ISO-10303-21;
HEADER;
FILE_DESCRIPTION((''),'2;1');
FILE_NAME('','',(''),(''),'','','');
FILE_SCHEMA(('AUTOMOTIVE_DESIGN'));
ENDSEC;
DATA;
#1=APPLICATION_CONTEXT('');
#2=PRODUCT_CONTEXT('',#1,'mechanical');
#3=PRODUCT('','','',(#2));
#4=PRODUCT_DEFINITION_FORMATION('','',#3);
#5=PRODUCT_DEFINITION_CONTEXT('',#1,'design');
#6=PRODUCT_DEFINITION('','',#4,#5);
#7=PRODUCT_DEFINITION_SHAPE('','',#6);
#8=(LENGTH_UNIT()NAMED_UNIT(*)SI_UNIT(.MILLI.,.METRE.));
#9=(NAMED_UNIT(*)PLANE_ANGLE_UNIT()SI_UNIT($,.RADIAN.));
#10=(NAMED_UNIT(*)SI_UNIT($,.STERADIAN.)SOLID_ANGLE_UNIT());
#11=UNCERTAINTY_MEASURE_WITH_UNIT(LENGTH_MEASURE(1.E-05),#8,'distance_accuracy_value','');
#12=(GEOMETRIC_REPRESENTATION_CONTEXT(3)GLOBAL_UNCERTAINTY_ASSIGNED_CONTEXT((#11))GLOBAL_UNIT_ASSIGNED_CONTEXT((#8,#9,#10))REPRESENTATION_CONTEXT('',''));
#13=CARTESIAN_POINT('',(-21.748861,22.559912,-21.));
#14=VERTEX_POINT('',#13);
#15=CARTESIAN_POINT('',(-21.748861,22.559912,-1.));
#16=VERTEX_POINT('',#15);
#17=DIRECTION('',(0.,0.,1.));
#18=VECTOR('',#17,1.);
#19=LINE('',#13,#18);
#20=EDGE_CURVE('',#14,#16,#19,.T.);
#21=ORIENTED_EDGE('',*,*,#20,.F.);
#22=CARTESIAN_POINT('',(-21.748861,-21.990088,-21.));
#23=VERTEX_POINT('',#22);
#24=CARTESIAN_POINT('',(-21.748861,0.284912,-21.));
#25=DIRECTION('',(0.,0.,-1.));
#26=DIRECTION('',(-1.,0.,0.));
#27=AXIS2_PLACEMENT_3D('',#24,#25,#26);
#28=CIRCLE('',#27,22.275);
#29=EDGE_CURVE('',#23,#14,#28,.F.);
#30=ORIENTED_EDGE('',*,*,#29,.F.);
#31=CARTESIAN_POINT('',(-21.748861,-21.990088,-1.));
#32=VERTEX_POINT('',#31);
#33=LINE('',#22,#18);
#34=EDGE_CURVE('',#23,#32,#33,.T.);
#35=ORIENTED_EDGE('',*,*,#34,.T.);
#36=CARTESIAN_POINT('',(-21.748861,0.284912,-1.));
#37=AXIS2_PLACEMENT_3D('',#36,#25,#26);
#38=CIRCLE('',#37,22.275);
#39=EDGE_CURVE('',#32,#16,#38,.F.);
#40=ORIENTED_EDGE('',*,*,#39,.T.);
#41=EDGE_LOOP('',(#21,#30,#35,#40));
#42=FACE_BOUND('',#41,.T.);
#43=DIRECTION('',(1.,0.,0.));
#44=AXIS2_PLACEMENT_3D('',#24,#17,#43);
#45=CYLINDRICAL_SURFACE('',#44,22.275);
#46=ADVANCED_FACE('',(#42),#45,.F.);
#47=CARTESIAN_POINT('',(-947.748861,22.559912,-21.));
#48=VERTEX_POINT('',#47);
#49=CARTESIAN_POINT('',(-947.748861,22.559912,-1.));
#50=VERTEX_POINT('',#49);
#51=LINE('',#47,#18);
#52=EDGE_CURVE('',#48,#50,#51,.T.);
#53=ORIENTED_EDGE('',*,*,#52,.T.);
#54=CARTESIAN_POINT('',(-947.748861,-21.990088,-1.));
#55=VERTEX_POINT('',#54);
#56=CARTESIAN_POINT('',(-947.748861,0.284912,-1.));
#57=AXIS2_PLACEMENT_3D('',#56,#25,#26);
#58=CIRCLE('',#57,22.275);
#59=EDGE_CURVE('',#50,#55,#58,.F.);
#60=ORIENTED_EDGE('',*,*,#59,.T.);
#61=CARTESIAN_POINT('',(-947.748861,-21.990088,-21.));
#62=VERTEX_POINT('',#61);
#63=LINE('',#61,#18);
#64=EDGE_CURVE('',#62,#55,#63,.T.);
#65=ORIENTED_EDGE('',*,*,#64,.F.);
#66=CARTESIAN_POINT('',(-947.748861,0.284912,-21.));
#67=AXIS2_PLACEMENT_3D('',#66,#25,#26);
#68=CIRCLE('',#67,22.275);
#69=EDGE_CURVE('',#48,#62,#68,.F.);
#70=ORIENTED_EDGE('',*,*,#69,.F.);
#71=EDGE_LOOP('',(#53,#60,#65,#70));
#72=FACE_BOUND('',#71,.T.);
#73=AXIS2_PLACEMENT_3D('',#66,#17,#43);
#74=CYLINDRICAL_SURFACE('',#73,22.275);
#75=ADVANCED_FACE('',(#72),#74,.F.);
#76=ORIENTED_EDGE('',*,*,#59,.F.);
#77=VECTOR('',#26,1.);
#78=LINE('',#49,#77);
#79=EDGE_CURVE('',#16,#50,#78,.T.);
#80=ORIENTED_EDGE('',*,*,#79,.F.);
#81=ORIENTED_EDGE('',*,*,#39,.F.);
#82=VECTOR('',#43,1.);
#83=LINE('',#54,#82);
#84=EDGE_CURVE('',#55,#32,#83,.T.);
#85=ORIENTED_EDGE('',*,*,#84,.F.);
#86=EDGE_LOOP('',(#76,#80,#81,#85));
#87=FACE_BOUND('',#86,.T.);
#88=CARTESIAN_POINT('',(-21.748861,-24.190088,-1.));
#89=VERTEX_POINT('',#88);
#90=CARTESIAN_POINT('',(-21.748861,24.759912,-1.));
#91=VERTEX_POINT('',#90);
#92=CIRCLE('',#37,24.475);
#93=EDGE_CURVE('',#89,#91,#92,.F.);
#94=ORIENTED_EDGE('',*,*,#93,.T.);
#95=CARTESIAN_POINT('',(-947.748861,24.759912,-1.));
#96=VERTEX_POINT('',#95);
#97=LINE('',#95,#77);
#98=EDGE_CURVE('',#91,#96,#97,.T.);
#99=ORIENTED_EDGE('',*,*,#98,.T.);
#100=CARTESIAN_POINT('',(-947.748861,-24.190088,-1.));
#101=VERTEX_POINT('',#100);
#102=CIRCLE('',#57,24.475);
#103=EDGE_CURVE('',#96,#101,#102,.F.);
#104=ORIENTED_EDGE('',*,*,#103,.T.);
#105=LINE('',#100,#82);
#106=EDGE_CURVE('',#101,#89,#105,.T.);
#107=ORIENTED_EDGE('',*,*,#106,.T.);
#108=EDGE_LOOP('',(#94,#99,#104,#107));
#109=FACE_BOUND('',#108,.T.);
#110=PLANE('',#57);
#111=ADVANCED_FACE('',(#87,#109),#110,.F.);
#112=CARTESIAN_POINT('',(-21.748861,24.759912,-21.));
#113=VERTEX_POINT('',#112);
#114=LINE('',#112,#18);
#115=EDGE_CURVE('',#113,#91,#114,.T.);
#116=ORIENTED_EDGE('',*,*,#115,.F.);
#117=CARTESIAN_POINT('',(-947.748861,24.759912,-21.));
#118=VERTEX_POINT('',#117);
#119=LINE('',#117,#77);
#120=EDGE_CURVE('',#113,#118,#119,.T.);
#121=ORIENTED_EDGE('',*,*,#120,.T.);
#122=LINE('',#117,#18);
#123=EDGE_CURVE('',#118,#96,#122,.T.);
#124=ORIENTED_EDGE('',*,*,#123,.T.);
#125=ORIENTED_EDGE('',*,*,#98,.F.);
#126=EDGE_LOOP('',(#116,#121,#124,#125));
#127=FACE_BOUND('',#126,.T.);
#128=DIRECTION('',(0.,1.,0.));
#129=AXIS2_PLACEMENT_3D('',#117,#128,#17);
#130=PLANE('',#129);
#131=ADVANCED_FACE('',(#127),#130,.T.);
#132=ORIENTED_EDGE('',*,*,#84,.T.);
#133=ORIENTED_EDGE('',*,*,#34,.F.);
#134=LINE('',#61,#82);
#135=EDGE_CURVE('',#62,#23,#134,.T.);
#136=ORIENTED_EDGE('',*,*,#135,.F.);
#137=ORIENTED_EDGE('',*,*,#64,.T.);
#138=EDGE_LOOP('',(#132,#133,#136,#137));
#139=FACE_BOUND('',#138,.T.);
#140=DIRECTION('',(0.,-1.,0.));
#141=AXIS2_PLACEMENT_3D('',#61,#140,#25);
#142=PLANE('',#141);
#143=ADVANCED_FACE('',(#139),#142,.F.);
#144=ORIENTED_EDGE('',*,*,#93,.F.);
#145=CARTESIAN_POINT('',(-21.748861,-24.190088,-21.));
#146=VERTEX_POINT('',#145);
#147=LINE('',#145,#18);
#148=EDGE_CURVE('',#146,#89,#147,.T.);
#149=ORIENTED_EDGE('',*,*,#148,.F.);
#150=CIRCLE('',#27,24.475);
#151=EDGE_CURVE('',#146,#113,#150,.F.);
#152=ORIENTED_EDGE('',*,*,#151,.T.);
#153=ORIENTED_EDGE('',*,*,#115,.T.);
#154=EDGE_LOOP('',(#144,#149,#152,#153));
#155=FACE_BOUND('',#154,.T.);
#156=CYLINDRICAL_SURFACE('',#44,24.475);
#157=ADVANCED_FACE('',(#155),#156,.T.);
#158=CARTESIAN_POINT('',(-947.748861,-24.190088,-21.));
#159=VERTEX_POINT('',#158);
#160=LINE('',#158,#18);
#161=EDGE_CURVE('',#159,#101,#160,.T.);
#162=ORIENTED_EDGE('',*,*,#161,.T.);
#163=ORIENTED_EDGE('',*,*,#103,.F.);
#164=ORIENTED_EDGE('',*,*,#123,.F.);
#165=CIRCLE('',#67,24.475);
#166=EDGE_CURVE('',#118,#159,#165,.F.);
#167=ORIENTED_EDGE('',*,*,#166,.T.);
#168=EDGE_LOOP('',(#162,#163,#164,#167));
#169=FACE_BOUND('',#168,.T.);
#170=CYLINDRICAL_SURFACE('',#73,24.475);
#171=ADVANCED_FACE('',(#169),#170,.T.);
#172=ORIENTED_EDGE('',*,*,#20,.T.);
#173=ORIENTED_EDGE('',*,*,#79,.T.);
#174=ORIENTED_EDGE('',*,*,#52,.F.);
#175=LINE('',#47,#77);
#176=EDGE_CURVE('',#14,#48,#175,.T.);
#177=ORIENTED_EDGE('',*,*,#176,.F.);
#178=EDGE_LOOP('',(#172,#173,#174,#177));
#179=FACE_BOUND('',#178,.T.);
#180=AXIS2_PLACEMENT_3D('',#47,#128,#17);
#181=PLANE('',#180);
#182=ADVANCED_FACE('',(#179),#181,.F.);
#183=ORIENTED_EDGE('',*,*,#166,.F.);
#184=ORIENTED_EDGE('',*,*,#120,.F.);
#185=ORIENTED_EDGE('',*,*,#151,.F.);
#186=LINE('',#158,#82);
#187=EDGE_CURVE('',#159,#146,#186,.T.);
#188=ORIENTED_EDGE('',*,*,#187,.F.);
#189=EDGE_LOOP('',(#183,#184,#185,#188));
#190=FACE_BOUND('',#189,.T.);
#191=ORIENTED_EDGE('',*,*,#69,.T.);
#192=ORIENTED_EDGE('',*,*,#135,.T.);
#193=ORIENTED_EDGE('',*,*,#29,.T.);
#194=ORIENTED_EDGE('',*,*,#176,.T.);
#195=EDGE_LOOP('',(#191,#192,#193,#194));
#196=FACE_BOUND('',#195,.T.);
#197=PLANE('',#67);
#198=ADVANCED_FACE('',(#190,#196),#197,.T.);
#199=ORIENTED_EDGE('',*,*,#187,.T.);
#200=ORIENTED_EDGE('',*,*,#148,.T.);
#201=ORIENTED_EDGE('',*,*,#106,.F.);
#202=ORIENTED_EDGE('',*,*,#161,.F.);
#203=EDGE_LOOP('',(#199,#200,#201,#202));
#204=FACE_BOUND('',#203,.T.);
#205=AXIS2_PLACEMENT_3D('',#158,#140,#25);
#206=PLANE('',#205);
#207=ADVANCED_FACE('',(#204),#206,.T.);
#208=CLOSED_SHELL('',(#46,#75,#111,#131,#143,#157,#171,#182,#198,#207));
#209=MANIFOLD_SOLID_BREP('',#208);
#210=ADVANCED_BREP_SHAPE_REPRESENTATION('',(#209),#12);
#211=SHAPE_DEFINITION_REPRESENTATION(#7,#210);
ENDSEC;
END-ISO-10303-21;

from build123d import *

# Parameters (mm, degrees)
EXTRUDE_START   = -1
EXTRUDE_1_DEPTH = 20


with BuildPart() as part:
    # 草图2 → 拉伸-薄壁1 (new body)
    with BuildSketch(Plane.XY.offset(EXTRUDE_START)):
        with BuildLine():
            Line((-21.748860904, -24.1900881), (-947.748860904, -24.1900881))
            ThreePointArc((-947.748860904, -24.1900881), (-972.223860904, 0.2849119), (-947.748860904, 24.7599119))
            Line((-947.748860904, 24.7599119), (-21.748860904, 24.7599119))
            ThreePointArc((-21.748860904, 24.7599119), (2.726139096, 0.284911899), (-21.748860904, -24.1900881))
        make_face()
        with BuildLine():
            Line((-21.748860904, -21.9900881), (-947.748860904, -21.9900881))
            ThreePointArc((-947.748860904, -21.9900881), (-970.023860904, 0.2849119), (-947.748860904, 22.5599119))
            Line((-947.748860904, 22.5599119), (-21.748860904, 22.5599119))
            ThreePointArc((-21.748860904, 22.5599119), (0.526139096, 0.284911899), (-21.748860904, -21.9900881))
        make_face(mode=Mode.SUBTRACT)
    extrude(amount=-EXTRUDE_1_DEPTH)


solid = part.part
